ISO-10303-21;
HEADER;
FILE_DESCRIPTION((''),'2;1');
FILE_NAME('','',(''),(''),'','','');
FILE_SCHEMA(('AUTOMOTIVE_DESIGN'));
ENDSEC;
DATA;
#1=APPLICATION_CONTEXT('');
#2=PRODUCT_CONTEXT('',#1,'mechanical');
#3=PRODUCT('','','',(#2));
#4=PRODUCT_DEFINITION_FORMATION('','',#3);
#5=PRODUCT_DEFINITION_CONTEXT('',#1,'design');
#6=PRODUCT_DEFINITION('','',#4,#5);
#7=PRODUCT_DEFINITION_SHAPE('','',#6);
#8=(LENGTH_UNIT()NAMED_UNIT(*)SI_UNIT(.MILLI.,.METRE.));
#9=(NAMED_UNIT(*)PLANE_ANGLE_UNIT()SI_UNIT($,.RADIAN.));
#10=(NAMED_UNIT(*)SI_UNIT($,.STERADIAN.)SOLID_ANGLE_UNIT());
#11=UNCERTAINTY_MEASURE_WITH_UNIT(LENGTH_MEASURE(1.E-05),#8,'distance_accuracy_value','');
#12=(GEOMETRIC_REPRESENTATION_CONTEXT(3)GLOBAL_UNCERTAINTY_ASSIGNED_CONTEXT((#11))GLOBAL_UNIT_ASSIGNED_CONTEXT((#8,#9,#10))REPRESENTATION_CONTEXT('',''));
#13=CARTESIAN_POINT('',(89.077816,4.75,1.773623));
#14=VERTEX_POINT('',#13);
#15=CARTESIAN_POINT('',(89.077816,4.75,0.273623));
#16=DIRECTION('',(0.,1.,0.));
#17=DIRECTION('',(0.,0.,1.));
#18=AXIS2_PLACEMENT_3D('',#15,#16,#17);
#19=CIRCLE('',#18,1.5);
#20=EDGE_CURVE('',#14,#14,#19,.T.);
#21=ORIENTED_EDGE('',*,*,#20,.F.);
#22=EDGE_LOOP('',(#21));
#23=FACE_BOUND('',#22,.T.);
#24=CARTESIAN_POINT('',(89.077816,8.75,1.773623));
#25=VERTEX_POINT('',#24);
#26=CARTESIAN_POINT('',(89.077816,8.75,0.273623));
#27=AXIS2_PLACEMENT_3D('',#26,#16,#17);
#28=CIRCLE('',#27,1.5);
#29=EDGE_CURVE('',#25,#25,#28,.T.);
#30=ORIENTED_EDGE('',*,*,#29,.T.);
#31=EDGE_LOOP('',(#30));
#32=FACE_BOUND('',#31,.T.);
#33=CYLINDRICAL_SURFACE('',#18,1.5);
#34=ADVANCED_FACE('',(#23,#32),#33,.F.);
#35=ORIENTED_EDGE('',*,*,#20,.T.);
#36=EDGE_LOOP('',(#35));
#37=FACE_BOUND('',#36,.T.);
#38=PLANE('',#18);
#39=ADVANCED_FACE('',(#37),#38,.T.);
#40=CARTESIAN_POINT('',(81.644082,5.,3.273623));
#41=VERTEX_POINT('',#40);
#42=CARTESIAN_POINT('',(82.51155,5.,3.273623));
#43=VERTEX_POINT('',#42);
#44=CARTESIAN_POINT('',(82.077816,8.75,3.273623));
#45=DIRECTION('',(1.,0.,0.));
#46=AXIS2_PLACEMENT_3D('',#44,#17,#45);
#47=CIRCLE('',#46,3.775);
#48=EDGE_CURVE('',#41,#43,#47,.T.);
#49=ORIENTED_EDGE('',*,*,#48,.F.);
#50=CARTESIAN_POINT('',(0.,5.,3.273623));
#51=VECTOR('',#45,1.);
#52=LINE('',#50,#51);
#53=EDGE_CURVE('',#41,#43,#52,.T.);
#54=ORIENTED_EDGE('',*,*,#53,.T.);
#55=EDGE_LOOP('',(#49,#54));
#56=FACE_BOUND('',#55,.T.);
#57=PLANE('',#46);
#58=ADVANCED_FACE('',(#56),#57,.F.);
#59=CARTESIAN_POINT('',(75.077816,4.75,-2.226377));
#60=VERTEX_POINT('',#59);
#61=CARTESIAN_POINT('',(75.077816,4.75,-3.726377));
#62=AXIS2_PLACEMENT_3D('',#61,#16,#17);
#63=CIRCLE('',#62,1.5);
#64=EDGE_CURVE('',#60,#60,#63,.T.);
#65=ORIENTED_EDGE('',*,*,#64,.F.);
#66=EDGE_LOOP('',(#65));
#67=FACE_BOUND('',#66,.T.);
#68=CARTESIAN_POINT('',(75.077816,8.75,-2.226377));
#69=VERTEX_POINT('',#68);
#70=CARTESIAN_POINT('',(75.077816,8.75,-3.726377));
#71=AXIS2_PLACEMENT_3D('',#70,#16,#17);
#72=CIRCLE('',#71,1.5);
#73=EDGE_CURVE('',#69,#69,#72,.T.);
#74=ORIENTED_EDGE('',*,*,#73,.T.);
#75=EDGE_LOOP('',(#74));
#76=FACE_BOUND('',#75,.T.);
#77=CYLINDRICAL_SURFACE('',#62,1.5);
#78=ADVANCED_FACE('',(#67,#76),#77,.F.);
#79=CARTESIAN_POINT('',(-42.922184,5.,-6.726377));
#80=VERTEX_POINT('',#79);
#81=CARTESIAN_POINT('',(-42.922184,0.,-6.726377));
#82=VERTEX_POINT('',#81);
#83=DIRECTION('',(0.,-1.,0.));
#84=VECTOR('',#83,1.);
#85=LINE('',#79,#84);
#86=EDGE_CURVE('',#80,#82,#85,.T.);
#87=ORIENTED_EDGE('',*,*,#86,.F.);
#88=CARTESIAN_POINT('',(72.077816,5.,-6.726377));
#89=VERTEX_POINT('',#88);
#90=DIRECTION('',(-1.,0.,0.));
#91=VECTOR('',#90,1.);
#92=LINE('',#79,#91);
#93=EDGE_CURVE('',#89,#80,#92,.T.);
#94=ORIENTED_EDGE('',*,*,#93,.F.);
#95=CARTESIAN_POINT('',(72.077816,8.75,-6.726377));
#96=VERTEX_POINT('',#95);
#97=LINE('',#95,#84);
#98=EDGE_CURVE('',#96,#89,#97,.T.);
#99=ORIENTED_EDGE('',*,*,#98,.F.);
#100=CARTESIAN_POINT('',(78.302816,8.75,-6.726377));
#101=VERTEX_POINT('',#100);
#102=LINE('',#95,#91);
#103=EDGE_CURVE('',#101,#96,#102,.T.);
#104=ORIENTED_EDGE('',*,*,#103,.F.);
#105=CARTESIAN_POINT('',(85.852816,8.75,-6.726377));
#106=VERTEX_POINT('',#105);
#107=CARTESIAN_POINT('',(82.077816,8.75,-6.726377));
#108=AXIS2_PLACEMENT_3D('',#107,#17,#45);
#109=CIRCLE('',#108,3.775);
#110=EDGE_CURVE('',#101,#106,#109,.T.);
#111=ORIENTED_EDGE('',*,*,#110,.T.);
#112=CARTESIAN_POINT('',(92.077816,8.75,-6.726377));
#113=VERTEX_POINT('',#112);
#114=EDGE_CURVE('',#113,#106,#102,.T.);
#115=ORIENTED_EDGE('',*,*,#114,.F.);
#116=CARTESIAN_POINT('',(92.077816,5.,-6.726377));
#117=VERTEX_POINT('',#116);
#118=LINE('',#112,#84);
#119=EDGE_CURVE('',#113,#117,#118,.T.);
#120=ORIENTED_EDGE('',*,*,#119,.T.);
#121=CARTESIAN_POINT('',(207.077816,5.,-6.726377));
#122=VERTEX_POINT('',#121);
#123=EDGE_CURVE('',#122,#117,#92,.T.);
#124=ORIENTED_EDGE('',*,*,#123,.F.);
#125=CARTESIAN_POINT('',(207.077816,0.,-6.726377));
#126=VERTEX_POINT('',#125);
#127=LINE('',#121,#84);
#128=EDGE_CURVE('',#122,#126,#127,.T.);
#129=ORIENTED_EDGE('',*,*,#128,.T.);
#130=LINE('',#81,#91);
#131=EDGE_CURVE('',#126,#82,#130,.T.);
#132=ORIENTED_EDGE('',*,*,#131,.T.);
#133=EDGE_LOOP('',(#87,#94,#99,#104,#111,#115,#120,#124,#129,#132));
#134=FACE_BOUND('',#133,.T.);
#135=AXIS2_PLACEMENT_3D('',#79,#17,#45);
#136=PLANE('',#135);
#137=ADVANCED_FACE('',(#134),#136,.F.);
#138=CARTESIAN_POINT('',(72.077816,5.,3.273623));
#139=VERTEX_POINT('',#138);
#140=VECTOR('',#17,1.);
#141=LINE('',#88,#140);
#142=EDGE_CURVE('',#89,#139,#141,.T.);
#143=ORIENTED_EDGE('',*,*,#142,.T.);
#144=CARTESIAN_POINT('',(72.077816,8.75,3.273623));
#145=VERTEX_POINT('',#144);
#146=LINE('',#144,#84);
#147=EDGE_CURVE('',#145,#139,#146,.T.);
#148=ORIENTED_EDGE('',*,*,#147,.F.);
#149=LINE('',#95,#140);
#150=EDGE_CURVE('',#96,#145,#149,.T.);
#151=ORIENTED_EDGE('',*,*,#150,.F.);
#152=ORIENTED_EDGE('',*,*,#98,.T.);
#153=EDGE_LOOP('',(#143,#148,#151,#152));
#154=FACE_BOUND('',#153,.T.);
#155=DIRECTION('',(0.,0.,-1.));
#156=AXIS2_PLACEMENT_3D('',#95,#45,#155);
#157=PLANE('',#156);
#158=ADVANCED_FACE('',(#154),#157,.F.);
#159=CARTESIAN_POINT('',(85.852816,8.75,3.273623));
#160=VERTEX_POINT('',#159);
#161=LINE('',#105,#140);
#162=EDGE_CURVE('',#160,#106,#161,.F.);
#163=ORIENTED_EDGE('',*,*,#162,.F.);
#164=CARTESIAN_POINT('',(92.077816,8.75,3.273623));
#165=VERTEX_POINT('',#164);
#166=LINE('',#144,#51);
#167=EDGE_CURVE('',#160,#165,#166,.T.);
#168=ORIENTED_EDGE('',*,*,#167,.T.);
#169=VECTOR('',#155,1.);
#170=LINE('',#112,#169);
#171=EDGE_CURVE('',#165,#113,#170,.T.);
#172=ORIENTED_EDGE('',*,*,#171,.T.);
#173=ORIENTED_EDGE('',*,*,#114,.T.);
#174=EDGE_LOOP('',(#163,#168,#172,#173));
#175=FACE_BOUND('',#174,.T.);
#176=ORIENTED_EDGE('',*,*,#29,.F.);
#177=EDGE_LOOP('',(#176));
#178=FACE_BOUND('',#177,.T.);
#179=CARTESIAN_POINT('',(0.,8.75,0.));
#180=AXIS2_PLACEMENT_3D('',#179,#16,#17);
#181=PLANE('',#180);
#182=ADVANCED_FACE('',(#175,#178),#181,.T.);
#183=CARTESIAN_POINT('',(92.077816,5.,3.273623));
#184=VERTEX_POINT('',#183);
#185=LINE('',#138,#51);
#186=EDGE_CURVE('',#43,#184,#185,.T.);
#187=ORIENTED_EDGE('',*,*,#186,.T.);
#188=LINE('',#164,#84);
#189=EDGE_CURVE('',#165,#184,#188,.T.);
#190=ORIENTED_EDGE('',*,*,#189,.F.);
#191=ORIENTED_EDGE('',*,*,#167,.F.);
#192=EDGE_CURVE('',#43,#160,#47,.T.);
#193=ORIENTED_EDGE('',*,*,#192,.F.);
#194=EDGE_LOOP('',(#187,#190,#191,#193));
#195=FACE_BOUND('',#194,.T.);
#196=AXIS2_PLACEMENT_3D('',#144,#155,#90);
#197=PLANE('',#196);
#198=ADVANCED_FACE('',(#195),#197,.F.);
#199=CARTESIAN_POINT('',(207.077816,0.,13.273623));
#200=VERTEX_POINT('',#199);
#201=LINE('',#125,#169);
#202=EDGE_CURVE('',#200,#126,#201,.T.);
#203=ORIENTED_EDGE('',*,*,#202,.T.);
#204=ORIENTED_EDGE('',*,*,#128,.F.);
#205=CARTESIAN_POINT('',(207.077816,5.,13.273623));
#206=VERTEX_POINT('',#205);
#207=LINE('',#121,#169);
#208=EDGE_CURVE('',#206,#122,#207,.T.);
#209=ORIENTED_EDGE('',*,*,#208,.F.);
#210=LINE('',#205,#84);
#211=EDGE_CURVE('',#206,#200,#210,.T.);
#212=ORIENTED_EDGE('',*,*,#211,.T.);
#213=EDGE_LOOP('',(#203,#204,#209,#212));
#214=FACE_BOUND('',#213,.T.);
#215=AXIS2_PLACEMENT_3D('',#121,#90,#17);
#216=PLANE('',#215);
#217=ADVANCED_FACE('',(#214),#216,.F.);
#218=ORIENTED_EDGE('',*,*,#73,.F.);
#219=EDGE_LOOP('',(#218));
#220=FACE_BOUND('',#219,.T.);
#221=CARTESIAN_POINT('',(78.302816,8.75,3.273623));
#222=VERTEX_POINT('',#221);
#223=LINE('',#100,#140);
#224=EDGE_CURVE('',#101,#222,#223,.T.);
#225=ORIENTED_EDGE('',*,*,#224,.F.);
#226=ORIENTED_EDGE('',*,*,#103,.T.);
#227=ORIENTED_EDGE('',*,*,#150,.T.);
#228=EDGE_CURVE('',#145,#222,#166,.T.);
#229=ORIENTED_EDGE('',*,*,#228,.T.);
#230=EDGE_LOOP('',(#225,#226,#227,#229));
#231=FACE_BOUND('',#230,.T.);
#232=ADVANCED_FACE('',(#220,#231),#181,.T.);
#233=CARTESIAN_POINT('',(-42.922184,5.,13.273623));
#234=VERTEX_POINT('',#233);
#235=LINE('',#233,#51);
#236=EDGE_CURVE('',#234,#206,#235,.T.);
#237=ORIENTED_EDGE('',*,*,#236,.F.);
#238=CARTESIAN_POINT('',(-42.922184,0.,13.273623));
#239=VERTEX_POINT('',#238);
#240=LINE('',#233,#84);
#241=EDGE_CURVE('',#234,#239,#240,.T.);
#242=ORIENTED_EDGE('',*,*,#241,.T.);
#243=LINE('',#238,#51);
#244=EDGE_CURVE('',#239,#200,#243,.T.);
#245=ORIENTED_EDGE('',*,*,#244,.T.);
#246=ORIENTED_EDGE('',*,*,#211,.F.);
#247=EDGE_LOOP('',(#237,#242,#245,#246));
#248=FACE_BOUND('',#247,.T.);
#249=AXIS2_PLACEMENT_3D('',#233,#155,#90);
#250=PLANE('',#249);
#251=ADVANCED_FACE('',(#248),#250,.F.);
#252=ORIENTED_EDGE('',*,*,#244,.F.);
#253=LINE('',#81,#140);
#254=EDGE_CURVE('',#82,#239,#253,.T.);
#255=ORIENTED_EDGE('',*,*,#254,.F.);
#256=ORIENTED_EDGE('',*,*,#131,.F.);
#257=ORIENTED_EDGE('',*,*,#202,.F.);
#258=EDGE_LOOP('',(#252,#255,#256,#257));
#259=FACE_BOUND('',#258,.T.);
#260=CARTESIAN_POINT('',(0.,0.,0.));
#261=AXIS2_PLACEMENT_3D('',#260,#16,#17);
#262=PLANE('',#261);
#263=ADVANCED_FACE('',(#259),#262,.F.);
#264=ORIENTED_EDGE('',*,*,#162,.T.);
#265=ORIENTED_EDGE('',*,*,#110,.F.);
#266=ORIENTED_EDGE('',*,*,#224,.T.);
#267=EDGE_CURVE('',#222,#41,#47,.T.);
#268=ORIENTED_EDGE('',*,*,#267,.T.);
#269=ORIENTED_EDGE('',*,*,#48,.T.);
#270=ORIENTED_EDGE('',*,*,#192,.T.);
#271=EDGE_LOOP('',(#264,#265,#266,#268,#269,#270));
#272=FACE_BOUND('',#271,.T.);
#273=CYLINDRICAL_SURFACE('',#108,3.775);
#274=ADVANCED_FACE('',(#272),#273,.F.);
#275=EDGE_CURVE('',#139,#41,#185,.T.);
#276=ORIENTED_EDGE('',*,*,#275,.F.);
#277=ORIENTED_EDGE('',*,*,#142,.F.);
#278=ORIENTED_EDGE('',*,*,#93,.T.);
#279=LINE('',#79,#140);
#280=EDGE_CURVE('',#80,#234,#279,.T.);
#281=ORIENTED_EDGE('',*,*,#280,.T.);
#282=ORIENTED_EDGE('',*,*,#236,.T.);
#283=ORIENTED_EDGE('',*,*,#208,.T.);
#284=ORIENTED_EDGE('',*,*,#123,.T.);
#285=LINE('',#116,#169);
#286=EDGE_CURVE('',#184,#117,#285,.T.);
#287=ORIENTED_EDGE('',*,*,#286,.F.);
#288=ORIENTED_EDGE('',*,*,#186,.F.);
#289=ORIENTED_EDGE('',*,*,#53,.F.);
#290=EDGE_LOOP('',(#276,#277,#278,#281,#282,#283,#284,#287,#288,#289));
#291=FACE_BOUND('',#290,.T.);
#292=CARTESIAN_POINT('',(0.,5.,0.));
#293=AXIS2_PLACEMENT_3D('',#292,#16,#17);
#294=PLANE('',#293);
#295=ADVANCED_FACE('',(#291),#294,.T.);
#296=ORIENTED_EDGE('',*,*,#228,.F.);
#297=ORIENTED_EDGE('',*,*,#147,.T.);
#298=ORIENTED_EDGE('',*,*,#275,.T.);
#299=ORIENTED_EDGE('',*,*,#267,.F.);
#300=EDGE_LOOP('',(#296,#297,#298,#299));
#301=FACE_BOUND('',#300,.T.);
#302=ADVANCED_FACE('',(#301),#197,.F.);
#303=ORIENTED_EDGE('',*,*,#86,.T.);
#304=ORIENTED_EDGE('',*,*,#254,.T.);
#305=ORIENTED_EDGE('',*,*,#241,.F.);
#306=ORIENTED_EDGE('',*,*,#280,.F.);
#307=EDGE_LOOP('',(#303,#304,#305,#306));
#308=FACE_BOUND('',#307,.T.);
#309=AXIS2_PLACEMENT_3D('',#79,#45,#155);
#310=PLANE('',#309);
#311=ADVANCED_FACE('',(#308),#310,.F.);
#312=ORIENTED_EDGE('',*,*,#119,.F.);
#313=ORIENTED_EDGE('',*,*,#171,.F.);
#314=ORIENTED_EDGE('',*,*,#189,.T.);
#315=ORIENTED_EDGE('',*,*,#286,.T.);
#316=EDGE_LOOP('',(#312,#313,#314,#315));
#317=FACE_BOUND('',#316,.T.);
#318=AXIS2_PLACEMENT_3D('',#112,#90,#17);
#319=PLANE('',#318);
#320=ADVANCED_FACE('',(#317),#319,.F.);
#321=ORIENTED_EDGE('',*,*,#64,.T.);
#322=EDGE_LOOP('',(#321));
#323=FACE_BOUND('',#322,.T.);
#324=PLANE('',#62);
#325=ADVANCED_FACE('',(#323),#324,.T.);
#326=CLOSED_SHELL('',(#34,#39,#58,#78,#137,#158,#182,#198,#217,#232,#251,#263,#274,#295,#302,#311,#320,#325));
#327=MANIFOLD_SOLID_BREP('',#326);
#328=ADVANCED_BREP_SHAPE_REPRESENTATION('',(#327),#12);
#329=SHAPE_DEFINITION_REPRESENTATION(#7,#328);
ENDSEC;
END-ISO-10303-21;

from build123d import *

# Parameters (mm, degrees)
SKETCH1_W           = 250
SKETCH1_H           = 20
BOSS_EXTRUDE1_DEPTH = 5
SKETCH2_W           = 20
SKETCH2_H           = 10
BOSS_EXTRUDE2_DEPTH = 3.75
SKETCH3_R           = 3.775
CUT_EXTRUDE1_DEPTH  = 10
SKETCH4_R           = 1.5
CUT_EXTRUDE2_DEPTH  = 4


with BuildPart() as part:
    # Sketch1 → Boss-Extrude1 (new body)
    with BuildSketch(Plane(origin=(0, 0, 0), x_dir=(1, 0, 0), z_dir=(0, 1, 0))):
        with Locations((82.077816098, -3.273623345)):
            Rectangle(SKETCH1_W, SKETCH1_H)
    extrude(amount=BOSS_EXTRUDE1_DEPTH)

    # Sketch2 → Boss-Extrude2 (add)
    with BuildSketch(Plane(origin=(0, 5, 0), x_dir=(1, 0, 0), z_dir=(0, 1, 0))):
        with Locations((82.077816098, 1.726376655)):
            Rectangle(SKETCH2_W, SKETCH2_H)
    extrude(amount=BOSS_EXTRUDE2_DEPTH)

    # Sketch3 → Cut-Extrude1 (cut)
    with BuildSketch(Plane.XY.offset(3.273623345)):
        with Locations((82.077816098, 8.75)):
            Circle(SKETCH3_R)
    extrude(amount=-CUT_EXTRUDE1_DEPTH, mode=Mode.SUBTRACT)

    # Sketch4 → Cut-Extrude2 (cut)
    with BuildSketch(Plane(origin=(0, 8.75, 0), x_dir=(1, 0, 0), z_dir=(0, 1, 0))):
        with Locations(Location((89.077816098, -0.273623345, 0), (0, 0, 270))):
            Circle(SKETCH4_R)
        with Locations(Location((75.077816098, 3.726376655, 0), (0, 0, 270))):
            Circle(SKETCH4_R)
    extrude(amount=-CUT_EXTRUDE2_DEPTH, mode=Mode.SUBTRACT)


solid = part.part
